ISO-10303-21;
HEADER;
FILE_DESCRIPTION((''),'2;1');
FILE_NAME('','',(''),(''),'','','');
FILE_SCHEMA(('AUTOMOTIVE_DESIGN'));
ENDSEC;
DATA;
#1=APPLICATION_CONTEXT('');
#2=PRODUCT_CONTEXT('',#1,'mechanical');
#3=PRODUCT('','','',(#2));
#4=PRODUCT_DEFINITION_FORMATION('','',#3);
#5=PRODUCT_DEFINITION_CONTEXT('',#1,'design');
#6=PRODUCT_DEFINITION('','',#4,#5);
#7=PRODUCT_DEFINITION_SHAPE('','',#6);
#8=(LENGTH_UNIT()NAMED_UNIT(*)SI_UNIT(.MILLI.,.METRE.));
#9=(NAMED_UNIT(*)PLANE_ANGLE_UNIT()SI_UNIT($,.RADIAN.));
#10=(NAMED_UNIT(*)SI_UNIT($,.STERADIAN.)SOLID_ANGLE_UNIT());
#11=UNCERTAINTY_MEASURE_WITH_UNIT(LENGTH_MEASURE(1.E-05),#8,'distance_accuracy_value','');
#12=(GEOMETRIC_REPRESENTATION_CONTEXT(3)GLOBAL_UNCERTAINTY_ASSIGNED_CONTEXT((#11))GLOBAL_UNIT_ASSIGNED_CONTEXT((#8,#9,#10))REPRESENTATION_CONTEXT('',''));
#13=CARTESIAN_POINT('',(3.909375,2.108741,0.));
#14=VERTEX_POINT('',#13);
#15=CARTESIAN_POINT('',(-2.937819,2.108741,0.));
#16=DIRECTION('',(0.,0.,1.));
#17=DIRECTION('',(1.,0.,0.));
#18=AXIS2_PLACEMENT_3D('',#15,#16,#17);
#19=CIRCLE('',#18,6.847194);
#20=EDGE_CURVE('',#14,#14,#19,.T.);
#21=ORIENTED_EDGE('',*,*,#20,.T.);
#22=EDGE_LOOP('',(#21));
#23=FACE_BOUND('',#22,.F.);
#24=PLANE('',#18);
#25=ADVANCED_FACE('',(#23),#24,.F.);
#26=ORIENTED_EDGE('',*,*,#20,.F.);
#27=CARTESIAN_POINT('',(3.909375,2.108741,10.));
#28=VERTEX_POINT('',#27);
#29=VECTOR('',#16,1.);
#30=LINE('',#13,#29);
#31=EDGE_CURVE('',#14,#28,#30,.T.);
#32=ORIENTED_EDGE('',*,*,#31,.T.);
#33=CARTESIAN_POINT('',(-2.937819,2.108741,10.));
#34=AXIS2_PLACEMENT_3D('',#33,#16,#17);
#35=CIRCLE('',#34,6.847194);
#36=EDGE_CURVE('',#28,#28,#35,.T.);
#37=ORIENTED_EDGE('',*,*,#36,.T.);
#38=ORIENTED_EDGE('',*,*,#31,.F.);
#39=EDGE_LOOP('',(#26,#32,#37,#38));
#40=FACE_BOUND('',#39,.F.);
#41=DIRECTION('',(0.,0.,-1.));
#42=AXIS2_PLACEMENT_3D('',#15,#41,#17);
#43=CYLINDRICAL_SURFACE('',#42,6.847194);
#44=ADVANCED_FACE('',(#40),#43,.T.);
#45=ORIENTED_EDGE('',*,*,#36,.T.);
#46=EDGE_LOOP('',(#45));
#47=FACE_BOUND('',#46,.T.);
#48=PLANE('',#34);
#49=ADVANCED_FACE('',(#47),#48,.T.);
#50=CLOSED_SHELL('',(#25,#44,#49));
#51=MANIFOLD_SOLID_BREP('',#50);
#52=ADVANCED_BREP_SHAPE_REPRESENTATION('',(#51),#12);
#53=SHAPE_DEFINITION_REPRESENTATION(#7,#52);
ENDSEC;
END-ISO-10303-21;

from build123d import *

# Parameters (mm, degrees)
SKETCH_R  = 6.847194
PAD_DEPTH = 10


with BuildPart() as part:
    # Sketch → Pad (new body)
    with BuildSketch(Plane.XY):
        with Locations((-2.937819, 2.108741)):
            Circle(SKETCH_R)
    extrude(amount=PAD_DEPTH)


solid = part.part
